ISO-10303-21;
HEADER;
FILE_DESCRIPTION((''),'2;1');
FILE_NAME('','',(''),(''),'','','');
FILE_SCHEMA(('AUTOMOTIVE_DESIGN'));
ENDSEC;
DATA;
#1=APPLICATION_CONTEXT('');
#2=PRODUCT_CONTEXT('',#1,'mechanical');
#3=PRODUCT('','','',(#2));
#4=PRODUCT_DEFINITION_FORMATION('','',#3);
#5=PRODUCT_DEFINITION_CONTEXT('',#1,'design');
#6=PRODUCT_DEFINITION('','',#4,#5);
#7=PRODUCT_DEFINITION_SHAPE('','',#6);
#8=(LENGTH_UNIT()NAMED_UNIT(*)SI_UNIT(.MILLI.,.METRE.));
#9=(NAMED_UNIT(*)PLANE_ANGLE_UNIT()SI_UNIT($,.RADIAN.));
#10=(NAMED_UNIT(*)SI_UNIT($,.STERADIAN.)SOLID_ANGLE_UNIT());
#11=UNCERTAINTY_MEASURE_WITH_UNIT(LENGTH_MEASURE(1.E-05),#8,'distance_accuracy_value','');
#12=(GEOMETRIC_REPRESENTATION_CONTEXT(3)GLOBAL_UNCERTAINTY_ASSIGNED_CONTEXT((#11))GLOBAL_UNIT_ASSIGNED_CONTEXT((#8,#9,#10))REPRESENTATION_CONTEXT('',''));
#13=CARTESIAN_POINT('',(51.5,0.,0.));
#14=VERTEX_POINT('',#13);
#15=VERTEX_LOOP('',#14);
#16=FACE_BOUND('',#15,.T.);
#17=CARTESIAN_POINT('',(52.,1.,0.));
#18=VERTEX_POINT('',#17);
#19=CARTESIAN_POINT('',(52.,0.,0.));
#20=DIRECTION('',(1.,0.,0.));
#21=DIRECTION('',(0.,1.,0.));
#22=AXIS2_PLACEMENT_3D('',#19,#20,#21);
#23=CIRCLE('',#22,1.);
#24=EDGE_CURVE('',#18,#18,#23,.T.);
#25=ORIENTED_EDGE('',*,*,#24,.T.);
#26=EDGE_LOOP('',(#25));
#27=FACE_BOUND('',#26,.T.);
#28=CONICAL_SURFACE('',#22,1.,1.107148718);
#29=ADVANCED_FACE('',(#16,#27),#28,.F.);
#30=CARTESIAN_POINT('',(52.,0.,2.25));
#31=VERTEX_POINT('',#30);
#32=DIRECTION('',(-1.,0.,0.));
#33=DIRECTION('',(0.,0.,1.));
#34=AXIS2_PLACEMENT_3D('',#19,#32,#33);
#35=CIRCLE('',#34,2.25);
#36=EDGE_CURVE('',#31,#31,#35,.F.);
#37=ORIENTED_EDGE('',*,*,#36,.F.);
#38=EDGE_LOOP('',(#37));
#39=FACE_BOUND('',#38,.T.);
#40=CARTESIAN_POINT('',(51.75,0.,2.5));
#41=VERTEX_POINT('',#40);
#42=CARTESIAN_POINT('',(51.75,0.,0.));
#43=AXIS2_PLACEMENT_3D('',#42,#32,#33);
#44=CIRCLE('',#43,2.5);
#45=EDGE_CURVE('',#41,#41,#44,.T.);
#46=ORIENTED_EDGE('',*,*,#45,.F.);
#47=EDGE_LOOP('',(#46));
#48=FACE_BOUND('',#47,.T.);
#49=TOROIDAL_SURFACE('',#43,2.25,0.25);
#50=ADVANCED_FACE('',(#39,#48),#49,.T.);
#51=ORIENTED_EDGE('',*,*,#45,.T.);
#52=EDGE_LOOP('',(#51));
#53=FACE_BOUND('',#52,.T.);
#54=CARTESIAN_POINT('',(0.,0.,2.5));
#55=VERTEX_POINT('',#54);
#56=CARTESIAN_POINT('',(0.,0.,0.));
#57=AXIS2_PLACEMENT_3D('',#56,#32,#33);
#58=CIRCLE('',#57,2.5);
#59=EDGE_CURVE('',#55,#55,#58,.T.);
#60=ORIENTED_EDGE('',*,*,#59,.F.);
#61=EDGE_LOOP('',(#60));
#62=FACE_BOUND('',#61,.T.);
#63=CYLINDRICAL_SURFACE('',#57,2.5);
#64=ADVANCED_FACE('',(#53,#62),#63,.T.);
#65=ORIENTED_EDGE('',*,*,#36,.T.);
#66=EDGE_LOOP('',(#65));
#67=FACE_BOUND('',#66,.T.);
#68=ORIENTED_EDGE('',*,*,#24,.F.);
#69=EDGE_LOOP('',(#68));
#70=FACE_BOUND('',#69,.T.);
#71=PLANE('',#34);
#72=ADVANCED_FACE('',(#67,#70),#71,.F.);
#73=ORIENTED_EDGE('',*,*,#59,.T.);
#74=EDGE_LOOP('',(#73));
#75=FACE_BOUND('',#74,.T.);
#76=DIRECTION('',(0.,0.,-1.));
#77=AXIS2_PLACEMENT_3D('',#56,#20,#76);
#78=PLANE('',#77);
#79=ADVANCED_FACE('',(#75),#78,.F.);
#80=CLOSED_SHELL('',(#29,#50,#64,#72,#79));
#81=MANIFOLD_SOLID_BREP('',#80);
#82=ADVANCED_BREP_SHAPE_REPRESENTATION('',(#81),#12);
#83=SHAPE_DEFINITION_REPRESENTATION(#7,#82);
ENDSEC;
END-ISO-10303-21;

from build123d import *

# Parameters (mm, degrees)
CROQUIS1_W  = 52
CROQUIS1_H  = 2.5
REDONDEO1_R = 0.25


with BuildPart() as part:
    # Croquis1 → Revolución1 (revolve)
    with BuildSketch(Plane.XY):
        with Locations((26, 1.25)):
            Rectangle(CROQUIS1_W, CROQUIS1_H)
    revolve(axis=Axis((0, 0, 0), (1, 0, 0)))

    # Redondeo1
    redondeo1_edges = [part.edges().sort_by_distance(p)[0] for p in [
        (52, -2.5, 0),
    ]]
    fillet(redondeo1_edges, radius=REDONDEO1_R)

    # Croquis3 → Cortar-Revolución1 (revolve, cut)
    with BuildSketch(Plane.XY):
        Polygon((52, 0), (51.5, 0), (52, 1), align=None)
    revolve(axis=Axis((52, 0, 0), (-1, 0, 0)), mode=Mode.SUBTRACT)


solid = part.part
